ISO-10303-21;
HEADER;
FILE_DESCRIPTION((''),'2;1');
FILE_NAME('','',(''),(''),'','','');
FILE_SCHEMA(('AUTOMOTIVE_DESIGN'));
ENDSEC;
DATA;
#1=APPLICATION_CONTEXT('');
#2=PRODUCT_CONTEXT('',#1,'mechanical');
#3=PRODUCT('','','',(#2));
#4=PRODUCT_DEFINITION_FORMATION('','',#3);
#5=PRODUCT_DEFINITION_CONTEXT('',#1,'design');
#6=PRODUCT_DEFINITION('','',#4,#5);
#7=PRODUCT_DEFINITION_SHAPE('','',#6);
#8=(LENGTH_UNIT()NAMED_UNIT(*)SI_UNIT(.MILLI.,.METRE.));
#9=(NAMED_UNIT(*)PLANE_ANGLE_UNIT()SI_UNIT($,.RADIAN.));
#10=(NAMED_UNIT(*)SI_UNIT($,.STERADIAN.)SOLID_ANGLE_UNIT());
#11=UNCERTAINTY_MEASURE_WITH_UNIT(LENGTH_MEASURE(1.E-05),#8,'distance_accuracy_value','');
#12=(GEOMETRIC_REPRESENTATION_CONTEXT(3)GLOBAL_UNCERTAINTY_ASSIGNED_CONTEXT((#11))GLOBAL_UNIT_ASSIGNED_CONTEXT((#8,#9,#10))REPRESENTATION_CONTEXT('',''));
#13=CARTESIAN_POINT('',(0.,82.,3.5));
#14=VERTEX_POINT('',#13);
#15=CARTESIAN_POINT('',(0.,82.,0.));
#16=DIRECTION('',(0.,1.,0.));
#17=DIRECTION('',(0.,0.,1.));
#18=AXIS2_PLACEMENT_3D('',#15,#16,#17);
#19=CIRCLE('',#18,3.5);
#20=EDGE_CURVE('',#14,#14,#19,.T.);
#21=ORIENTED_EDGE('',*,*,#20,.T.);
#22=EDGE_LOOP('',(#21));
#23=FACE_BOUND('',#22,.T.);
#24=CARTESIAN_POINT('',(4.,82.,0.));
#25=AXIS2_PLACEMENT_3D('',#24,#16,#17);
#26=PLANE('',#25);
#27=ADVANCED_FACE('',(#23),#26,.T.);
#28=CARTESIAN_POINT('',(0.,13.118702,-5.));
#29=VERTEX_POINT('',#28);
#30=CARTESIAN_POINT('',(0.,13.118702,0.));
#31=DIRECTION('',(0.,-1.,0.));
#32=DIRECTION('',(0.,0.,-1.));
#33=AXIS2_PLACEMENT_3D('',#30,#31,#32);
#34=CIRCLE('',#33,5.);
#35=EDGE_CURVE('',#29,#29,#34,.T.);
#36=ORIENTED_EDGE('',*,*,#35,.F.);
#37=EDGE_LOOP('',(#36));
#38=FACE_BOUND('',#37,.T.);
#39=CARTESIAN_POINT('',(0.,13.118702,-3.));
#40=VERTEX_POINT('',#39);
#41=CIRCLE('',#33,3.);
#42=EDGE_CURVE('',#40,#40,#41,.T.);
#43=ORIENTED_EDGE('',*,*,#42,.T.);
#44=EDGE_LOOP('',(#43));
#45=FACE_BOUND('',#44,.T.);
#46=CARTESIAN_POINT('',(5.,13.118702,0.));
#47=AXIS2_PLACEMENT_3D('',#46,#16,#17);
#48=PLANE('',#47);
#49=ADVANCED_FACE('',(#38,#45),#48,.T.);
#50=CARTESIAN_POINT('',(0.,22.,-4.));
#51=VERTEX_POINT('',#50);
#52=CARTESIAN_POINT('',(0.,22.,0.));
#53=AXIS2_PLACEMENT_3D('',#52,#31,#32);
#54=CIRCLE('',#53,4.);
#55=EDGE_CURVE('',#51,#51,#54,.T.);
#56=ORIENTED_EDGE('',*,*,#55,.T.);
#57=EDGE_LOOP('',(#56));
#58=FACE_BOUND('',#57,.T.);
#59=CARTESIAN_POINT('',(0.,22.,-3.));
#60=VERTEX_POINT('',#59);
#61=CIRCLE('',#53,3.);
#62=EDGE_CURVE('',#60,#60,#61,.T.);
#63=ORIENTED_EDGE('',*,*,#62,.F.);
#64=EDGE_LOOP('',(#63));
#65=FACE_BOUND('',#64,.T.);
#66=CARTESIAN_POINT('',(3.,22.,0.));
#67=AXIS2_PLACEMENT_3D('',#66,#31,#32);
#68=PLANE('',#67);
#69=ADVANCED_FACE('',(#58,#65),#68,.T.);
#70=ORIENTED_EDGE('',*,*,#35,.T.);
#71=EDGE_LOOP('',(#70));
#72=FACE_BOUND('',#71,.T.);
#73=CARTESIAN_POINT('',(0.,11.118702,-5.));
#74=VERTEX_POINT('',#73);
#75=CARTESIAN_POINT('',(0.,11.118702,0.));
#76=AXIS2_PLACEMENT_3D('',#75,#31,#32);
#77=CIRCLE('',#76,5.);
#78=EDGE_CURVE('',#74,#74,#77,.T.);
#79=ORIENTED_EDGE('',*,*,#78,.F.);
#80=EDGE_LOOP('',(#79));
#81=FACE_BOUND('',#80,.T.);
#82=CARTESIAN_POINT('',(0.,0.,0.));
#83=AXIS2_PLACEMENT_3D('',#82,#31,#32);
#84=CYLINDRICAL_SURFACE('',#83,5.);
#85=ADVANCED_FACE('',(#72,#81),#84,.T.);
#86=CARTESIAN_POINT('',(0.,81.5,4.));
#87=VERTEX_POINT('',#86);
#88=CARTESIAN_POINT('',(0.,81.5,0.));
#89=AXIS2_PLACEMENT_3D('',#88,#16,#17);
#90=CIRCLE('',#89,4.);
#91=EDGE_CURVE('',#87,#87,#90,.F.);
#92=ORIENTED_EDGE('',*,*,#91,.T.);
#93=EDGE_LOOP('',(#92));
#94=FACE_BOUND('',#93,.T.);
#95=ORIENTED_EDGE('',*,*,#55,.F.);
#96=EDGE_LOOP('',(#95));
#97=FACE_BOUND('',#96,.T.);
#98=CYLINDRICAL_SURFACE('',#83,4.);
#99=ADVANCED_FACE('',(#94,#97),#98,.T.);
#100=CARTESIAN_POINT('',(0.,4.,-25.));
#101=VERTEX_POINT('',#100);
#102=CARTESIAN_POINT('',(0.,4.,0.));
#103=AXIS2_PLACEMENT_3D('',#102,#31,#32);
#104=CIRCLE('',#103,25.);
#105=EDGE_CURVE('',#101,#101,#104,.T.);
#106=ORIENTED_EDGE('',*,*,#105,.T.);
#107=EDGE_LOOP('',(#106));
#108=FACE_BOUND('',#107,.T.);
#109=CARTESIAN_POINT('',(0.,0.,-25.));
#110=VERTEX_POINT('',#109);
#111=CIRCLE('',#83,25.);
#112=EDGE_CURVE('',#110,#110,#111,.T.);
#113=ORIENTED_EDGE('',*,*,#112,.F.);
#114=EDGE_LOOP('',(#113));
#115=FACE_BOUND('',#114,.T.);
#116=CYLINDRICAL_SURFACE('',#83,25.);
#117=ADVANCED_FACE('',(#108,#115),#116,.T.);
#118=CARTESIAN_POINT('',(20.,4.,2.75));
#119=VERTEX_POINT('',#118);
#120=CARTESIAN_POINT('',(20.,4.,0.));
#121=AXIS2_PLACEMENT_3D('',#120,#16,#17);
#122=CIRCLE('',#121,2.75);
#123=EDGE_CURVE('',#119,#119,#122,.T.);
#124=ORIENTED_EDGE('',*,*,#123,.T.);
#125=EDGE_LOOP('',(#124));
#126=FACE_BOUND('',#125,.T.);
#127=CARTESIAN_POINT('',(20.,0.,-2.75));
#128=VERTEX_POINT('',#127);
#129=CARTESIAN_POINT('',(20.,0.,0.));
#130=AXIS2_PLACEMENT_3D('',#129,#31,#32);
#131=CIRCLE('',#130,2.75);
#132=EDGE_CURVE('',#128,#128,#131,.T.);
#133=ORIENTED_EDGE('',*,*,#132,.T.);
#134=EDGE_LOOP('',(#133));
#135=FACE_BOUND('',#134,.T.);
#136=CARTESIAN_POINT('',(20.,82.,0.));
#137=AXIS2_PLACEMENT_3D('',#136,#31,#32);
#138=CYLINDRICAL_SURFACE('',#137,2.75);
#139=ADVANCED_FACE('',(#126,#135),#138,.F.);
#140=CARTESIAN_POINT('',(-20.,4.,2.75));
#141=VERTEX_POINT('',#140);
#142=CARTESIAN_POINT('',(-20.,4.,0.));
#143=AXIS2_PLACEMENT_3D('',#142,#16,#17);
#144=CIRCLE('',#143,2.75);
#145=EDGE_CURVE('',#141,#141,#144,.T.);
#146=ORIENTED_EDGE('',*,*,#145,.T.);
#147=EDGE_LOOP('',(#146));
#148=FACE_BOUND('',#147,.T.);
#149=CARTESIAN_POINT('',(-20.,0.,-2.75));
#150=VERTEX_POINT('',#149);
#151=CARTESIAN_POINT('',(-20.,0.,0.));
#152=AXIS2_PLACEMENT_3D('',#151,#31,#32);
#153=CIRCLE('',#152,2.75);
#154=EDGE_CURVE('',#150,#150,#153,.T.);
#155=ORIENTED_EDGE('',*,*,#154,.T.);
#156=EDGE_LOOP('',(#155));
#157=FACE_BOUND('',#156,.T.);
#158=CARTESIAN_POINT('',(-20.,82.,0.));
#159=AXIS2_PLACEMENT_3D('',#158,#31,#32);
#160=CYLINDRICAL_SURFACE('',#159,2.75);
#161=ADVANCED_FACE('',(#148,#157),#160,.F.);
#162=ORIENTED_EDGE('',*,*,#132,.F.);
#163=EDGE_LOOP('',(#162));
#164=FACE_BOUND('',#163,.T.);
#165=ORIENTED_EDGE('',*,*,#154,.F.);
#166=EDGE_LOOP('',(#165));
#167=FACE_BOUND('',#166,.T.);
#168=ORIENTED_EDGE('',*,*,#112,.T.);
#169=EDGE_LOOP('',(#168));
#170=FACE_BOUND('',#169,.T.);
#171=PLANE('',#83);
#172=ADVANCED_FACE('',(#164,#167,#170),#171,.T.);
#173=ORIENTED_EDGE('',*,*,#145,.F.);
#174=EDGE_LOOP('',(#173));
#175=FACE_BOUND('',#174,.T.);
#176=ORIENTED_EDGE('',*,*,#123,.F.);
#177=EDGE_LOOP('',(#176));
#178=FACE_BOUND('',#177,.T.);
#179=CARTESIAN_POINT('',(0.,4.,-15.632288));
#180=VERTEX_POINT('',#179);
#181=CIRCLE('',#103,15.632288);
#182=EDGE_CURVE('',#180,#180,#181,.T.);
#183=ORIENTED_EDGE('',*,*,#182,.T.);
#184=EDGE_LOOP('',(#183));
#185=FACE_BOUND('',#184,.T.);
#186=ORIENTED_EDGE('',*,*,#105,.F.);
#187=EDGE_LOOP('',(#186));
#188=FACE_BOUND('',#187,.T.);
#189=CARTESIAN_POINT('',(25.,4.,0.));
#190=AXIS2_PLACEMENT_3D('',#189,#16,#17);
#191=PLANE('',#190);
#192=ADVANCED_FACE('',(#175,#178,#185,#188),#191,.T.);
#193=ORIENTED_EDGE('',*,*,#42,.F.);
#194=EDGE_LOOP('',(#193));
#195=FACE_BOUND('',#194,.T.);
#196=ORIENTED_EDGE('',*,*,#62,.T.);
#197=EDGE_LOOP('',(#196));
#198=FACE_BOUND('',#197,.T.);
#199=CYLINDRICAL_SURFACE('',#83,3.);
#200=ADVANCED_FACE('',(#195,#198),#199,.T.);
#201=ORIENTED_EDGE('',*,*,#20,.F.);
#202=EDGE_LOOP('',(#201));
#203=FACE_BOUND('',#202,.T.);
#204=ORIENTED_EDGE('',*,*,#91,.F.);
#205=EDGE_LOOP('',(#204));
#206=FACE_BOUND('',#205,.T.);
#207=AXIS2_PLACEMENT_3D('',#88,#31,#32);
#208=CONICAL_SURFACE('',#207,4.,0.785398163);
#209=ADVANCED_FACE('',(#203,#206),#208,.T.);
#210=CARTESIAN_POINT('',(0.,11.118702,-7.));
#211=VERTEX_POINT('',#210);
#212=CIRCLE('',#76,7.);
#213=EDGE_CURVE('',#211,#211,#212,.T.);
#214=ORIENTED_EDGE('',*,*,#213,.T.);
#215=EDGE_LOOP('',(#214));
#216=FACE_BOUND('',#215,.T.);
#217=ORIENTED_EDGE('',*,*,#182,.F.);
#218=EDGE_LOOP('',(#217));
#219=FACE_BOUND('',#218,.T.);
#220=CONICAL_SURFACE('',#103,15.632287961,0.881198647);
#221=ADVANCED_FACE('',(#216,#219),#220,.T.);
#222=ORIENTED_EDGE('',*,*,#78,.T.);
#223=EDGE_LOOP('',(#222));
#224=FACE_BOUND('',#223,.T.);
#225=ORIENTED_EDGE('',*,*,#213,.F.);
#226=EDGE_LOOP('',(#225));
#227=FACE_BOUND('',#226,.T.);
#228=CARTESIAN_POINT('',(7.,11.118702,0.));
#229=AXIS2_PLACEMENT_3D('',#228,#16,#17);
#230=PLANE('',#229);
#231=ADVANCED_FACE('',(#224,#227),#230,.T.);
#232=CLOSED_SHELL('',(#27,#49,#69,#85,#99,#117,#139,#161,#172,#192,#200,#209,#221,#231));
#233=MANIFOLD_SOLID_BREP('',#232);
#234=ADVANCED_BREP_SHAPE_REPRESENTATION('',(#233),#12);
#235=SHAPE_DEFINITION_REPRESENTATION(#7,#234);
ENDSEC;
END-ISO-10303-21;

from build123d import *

# Parameters (mm, degrees)
CHANFREIN1_SIZE         = 0.5
ESQUISSE2_R             = 2.75
ENL_V_MAT_EXTRU_1_DEPTH = 90.297256397


with BuildPart() as part:
    # Esquisse1 → Révolution1 (revolve)
    with BuildSketch(Plane.XY, mode=Mode.PRIVATE) as r_volution1_sk:
        Polygon((0, 0), (25, 0), (25, 4), (15.632287961, 4), (7, 11.118702223), (5, 11.118702223), (5, 13.118702223), (3, 13.118702223), (3, 22), (4, 22), (4, 82), (0, 82), align=None)
    revolve(r_volution1_sk.sketch.rotate(Axis((0, 0, 0), (0, 1, 0)), 90), axis=Axis((0, 0, 0), (0, 1, 0)))

    # Chanfrein1
    chanfrein1_edges = [part.edges().sort_by_distance(p)[0] for p in [
        (0, 82, 4),
    ]]
    chamfer(chanfrein1_edges, length=CHANFREIN1_SIZE)

    # Esquisse2 → Enlèv. mat.-Extru.1 (cut, through all)
    with BuildSketch(Plane.XZ):
        with Locations(Location((-20, 0, 0), (0, 0, 270))):
            Circle(ESQUISSE2_R)
        with Locations(Location((20, 0, 0), (0, 0, 270))):
            Circle(ESQUISSE2_R)
    extrude(amount=-ENL_V_MAT_EXTRU_1_DEPTH, mode=Mode.SUBTRACT)


solid = part.part
